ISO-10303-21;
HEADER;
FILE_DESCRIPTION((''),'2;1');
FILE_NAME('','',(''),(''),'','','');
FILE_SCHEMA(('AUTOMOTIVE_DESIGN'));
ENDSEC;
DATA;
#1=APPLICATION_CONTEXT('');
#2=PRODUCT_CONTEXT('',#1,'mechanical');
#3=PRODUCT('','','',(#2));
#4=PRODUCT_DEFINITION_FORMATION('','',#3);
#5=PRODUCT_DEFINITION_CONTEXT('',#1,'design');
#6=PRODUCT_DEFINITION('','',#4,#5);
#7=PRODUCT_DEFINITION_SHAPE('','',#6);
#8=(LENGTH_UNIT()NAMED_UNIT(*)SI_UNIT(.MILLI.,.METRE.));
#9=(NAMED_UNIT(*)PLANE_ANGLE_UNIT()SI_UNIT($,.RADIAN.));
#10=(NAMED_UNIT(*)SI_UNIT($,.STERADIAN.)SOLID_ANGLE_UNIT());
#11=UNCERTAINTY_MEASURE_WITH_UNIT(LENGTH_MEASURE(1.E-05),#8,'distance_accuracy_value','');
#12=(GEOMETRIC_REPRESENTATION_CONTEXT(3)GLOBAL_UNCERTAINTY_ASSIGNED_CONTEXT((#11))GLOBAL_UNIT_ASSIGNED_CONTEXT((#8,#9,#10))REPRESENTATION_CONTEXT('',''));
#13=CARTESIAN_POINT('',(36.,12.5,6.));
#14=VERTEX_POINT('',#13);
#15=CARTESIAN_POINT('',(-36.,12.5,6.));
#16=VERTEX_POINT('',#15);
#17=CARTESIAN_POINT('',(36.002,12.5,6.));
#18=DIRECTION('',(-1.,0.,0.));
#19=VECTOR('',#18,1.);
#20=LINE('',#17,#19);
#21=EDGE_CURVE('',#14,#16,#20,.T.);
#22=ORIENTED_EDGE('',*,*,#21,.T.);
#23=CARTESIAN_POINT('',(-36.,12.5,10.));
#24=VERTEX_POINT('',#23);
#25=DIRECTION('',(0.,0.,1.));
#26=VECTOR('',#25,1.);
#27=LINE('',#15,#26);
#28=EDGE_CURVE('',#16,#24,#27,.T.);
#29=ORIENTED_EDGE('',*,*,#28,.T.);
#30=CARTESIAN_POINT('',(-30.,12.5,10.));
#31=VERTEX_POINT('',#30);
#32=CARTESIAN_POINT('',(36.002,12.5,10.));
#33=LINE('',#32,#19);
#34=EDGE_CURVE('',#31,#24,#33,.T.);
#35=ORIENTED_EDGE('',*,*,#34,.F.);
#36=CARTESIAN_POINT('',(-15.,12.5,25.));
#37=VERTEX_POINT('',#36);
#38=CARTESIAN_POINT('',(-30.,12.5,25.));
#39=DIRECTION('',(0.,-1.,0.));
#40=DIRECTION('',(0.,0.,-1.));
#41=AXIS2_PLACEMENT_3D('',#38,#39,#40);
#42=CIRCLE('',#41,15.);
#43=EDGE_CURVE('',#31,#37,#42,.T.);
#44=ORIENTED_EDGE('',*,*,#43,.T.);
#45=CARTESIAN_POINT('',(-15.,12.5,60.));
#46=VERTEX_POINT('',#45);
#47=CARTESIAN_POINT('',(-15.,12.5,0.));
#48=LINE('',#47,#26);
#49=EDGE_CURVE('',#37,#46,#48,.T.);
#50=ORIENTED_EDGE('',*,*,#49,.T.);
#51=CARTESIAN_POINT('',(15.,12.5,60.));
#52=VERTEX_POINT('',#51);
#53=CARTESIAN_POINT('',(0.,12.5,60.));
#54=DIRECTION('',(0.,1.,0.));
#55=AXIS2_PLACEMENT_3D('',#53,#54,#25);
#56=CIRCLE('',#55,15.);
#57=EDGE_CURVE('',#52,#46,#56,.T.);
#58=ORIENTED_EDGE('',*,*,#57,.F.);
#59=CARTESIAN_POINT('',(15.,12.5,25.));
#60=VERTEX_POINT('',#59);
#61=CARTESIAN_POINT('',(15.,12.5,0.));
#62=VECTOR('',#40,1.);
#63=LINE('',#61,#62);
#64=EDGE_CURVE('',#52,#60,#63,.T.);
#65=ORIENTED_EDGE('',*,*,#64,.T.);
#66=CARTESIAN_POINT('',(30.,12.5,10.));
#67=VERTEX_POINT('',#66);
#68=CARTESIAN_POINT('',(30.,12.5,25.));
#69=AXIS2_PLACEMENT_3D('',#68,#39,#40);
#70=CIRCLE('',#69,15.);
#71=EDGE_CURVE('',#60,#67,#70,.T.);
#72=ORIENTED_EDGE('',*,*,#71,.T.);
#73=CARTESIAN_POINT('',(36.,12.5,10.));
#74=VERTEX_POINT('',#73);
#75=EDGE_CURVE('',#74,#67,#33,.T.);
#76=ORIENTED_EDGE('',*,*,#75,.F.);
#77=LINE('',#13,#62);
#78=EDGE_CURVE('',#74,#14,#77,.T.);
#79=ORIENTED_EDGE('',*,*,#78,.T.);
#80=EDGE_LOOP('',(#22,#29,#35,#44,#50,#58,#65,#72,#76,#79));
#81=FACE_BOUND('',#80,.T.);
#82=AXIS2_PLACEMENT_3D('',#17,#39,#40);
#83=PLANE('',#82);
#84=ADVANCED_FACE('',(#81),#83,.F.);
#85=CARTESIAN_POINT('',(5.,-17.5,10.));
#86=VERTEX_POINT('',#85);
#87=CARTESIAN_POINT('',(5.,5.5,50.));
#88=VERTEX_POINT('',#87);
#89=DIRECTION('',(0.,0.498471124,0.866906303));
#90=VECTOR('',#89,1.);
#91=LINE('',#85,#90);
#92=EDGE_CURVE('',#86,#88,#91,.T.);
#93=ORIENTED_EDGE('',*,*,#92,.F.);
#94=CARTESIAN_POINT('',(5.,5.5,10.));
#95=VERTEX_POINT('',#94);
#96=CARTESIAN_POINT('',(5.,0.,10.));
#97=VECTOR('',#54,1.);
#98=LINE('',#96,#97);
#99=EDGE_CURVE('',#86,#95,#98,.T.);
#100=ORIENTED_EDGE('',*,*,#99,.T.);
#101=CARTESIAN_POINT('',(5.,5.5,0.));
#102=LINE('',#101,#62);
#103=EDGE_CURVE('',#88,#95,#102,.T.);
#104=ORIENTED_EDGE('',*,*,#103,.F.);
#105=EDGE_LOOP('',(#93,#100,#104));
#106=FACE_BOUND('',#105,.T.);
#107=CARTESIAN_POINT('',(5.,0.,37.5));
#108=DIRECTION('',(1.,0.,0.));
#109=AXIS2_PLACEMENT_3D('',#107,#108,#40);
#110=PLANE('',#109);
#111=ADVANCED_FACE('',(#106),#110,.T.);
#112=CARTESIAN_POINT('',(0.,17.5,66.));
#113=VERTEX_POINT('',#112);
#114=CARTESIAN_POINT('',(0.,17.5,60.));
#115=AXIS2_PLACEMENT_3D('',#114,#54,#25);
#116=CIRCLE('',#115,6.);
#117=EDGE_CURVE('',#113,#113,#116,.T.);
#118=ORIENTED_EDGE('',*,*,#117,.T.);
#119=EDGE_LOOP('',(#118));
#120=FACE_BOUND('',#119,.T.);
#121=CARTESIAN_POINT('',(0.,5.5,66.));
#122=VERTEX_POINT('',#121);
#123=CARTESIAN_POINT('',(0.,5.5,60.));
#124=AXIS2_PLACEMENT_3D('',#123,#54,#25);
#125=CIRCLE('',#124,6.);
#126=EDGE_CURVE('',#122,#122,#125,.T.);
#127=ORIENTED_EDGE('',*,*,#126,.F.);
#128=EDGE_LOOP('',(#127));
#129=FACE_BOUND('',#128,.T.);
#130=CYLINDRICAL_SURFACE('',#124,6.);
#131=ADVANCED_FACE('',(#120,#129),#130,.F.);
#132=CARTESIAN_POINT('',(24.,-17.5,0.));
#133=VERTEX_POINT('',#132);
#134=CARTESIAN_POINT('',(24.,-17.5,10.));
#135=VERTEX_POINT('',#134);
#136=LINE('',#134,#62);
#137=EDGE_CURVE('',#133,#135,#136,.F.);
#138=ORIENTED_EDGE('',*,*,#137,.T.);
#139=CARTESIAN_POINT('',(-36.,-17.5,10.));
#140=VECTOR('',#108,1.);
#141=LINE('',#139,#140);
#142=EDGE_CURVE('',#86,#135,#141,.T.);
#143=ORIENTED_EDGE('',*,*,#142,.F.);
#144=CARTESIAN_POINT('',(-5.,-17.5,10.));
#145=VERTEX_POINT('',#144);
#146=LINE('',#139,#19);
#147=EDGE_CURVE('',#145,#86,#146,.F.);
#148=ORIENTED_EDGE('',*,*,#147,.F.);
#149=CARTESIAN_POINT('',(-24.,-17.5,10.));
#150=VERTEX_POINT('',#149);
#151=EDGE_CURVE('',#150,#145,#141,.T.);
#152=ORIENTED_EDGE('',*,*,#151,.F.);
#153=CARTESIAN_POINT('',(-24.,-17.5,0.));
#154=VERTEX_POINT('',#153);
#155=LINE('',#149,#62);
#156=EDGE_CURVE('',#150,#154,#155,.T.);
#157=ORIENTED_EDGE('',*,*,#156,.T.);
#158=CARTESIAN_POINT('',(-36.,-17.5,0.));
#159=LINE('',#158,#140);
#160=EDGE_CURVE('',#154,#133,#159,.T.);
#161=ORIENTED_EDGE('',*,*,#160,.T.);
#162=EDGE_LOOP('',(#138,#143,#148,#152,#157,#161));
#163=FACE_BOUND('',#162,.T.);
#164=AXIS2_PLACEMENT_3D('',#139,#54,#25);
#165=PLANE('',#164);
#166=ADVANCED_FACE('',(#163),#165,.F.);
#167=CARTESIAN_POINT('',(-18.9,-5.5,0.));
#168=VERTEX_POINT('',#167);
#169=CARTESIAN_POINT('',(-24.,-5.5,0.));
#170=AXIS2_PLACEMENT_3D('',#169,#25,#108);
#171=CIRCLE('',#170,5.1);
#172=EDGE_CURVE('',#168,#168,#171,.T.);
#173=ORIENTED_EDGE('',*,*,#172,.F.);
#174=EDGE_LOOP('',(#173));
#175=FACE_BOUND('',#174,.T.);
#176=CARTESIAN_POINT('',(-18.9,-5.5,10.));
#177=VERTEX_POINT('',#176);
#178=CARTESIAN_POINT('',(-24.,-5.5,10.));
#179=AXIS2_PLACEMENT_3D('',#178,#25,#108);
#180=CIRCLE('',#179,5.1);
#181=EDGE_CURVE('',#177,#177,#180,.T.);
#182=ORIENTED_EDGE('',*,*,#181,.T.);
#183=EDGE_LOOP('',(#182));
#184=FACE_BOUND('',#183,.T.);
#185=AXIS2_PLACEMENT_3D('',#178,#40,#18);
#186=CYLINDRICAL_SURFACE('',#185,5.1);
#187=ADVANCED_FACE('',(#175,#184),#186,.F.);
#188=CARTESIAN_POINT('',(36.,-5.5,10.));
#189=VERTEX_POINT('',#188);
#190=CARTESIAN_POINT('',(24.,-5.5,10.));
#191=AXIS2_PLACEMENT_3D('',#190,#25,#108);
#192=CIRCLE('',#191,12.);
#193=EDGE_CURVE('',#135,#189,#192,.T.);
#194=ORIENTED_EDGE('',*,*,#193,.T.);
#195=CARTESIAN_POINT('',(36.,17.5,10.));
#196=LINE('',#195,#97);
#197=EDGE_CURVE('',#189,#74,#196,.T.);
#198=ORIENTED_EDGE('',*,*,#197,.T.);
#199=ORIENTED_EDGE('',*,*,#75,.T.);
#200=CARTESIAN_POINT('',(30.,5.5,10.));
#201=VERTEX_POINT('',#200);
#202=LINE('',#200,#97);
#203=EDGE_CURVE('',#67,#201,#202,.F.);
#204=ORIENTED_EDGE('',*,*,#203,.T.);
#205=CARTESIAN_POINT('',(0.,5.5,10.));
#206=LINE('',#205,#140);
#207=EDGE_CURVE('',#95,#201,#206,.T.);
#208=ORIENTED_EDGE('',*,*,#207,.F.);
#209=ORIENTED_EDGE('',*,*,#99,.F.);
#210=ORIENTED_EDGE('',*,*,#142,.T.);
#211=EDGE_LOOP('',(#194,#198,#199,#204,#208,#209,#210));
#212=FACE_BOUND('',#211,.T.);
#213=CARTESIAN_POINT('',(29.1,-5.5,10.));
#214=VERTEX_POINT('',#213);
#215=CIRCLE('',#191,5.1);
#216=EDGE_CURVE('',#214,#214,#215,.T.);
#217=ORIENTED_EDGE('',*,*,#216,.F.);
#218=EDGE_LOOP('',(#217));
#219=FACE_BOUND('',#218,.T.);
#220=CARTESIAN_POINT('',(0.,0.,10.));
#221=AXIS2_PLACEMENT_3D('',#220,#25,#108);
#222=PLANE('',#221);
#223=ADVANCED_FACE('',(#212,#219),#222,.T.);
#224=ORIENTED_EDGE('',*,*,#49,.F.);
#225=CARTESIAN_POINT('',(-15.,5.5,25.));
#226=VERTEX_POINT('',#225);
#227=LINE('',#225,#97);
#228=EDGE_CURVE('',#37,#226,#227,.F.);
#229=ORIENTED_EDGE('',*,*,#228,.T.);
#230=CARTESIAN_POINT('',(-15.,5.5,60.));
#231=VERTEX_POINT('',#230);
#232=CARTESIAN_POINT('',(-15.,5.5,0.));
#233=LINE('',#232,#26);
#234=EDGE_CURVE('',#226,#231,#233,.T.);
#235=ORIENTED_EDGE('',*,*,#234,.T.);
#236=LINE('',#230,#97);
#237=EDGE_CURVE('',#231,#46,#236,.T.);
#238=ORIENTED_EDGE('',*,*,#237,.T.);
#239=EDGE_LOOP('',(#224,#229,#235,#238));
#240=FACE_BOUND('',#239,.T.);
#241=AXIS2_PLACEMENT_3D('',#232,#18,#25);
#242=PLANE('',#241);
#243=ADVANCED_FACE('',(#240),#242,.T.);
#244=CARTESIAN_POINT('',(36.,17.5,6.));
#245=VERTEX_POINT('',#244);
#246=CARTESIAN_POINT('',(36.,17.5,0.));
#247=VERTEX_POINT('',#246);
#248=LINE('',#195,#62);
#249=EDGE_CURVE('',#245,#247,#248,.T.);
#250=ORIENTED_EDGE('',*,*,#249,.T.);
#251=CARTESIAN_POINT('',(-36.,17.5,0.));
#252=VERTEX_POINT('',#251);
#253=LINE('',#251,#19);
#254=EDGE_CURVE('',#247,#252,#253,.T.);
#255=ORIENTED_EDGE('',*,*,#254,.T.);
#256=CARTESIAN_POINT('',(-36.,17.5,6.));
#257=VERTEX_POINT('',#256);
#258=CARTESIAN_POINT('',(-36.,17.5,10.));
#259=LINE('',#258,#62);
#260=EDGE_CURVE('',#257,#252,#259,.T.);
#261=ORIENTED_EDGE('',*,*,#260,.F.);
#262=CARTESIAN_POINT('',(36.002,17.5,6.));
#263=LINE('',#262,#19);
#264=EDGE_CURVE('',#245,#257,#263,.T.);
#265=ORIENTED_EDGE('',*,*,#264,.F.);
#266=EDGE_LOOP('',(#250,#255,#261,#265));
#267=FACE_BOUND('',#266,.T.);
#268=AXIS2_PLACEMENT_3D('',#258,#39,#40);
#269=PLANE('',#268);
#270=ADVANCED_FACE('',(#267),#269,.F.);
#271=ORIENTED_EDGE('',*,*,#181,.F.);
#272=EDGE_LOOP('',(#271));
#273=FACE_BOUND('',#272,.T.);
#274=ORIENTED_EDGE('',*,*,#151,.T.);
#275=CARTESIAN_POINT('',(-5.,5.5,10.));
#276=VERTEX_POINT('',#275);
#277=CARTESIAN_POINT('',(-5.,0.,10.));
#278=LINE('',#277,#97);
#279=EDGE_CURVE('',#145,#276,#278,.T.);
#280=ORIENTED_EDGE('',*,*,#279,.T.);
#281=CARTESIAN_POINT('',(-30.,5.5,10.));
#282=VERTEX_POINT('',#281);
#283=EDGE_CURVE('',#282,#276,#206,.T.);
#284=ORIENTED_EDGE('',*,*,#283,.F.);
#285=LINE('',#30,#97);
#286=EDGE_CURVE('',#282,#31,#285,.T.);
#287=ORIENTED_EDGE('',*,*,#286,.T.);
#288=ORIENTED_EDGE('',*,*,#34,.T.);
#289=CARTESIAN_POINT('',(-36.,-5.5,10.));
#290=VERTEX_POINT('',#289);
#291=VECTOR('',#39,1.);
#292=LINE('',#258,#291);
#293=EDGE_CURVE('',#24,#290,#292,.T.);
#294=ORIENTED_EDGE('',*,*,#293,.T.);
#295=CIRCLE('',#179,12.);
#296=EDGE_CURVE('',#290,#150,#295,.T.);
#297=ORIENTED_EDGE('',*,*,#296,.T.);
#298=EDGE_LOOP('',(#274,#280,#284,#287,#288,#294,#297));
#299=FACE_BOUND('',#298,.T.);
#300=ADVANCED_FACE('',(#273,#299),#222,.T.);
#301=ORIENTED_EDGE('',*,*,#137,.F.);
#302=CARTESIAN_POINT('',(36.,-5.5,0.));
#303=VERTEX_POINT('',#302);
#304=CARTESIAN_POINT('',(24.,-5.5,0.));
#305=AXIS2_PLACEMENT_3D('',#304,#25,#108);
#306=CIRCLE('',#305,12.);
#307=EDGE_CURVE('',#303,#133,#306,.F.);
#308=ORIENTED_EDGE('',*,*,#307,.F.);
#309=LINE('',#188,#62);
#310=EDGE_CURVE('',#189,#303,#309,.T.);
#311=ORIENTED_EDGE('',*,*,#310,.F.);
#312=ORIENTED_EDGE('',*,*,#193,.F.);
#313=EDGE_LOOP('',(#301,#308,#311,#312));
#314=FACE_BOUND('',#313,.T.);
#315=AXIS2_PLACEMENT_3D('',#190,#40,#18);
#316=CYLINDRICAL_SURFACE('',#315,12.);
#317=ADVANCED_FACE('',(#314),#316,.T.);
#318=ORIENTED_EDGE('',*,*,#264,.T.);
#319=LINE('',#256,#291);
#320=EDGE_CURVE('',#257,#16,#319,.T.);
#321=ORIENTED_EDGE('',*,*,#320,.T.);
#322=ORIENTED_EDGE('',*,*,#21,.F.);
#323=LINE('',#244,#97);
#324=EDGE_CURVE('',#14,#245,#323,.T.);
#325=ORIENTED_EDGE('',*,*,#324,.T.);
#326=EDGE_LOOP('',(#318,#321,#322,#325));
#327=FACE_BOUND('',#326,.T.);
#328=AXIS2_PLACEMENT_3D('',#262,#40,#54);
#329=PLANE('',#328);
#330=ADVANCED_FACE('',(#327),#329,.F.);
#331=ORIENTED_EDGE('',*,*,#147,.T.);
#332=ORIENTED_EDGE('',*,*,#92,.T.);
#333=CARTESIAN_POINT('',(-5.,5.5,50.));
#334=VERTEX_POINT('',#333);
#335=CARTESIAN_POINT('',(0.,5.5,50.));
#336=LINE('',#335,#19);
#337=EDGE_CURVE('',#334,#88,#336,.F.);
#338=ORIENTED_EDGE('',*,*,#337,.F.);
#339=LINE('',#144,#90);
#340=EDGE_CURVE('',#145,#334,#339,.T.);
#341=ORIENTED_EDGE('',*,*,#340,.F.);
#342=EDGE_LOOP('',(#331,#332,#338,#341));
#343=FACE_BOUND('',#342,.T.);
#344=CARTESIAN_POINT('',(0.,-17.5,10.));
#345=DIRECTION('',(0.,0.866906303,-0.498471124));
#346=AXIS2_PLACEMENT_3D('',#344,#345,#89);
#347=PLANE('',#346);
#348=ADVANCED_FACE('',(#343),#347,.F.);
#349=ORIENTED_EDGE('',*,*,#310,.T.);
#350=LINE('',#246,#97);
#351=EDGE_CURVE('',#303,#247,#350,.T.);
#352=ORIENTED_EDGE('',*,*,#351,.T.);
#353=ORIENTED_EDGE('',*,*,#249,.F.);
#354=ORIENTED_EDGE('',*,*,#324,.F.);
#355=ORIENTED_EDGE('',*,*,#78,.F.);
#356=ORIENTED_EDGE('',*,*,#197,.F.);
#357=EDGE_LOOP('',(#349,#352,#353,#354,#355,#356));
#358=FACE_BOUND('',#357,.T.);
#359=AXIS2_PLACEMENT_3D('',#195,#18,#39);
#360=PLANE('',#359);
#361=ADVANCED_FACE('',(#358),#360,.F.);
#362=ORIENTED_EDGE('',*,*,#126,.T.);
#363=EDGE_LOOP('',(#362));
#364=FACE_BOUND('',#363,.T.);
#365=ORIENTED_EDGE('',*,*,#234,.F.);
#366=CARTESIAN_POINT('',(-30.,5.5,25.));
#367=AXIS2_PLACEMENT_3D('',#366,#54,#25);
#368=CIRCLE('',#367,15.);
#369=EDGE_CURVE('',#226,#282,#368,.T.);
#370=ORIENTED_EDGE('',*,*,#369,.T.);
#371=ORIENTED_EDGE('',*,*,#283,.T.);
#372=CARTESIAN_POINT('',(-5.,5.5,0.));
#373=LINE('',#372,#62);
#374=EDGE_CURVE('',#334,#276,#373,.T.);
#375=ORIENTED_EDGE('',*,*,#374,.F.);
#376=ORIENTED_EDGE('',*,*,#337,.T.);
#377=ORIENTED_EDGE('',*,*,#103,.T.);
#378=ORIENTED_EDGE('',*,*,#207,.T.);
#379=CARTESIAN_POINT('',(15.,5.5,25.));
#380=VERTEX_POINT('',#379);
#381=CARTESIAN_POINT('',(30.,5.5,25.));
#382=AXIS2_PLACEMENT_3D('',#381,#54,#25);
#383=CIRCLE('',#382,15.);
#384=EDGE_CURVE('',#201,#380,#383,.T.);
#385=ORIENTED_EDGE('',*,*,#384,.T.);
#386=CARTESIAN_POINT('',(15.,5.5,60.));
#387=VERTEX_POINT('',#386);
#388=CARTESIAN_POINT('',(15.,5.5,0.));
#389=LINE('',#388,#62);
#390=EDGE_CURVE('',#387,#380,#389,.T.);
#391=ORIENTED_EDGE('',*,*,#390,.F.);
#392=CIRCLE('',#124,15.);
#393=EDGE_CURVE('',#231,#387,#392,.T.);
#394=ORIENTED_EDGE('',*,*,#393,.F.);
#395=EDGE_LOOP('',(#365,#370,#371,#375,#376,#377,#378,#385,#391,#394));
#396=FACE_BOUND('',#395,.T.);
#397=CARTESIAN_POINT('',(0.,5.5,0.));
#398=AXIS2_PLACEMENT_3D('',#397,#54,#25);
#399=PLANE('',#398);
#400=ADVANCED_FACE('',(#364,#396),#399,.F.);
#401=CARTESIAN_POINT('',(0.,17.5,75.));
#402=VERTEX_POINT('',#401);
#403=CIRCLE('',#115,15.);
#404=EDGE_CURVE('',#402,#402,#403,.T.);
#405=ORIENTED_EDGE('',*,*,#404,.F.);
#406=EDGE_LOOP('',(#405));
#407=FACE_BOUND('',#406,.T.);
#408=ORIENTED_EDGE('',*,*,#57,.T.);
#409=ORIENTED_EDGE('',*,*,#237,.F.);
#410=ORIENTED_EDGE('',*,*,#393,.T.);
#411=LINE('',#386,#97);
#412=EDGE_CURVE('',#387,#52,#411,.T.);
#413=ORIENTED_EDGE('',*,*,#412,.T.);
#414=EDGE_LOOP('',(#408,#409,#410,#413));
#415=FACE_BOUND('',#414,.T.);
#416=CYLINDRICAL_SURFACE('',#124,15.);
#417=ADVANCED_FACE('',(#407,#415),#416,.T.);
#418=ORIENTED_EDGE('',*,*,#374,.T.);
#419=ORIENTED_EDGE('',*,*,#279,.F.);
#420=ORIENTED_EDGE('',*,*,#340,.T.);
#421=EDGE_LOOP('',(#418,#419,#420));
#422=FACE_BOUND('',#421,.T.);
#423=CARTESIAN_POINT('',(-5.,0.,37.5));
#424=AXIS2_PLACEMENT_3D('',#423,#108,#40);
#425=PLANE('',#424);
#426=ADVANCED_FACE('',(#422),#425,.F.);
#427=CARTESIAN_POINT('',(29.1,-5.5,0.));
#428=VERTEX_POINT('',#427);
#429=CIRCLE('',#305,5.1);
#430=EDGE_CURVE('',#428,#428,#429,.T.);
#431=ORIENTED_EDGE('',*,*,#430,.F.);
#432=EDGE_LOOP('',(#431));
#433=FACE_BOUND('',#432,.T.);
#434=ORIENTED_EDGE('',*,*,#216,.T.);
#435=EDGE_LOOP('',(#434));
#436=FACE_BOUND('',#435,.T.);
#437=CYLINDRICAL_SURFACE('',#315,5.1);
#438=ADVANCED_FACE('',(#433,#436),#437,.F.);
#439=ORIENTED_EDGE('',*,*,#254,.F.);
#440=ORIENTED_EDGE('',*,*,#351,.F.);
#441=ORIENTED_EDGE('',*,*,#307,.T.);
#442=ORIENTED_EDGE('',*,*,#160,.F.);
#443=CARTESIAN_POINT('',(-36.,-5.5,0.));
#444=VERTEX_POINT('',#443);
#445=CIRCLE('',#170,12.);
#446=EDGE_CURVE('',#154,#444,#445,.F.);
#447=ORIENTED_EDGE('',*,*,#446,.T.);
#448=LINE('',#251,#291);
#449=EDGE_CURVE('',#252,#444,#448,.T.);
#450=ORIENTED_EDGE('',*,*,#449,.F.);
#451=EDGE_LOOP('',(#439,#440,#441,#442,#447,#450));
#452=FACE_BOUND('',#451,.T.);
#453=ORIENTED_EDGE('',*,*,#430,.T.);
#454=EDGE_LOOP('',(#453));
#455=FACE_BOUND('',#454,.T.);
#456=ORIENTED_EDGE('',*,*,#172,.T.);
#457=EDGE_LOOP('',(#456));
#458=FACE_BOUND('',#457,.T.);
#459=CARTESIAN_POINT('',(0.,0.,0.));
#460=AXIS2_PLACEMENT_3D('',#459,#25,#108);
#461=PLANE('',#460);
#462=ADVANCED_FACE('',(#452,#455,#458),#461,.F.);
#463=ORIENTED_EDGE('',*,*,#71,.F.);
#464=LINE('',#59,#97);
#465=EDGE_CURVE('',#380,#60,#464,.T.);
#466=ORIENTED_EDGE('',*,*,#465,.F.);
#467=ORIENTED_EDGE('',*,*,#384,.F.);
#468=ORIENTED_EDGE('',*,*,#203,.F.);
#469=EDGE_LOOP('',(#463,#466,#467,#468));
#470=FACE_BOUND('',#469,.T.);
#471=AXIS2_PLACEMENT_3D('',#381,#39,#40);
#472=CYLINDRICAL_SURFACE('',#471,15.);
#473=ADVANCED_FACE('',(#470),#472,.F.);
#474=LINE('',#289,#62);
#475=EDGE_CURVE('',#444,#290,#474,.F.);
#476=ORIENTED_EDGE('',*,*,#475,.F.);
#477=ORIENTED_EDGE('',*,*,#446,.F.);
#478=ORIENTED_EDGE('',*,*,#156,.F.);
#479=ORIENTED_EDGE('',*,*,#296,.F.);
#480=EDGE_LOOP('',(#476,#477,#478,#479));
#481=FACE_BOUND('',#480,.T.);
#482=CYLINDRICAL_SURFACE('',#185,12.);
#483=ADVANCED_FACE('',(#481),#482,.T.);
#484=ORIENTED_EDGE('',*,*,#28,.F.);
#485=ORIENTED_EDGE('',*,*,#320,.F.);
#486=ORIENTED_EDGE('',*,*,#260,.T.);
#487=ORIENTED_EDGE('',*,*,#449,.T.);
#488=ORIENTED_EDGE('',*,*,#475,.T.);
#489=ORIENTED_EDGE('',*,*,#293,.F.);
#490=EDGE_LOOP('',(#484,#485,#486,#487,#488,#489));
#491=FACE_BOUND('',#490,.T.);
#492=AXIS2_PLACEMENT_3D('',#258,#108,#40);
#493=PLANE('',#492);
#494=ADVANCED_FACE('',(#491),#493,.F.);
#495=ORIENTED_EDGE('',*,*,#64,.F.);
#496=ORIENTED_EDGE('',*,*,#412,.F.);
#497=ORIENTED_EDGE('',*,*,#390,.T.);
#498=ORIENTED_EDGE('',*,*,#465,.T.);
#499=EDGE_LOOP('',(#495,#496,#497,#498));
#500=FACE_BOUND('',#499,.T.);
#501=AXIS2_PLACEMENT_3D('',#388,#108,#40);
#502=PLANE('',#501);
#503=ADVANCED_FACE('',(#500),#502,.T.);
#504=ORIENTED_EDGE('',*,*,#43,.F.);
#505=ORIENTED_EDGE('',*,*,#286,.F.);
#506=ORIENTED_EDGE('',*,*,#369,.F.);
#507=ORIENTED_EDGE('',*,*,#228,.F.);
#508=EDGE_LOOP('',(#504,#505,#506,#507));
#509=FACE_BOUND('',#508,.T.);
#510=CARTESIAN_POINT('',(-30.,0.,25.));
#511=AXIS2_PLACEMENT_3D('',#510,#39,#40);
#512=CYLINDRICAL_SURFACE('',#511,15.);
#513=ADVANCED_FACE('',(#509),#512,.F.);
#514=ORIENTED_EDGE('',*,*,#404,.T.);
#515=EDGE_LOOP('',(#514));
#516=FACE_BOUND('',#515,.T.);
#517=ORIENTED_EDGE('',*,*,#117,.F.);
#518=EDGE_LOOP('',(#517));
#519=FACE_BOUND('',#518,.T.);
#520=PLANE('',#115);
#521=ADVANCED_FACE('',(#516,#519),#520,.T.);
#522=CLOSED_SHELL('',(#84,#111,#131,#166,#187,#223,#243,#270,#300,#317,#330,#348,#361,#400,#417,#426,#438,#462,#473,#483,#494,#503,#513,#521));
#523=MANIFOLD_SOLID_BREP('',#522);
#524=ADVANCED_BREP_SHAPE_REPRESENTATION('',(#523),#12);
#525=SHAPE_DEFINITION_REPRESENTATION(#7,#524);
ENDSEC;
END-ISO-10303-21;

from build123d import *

# Parameters (mm, degrees)
CROQUIS1_W              = 72
CROQUIS1_H              = 35
CROQUIS1_R              = 5.1
SALIENTE_EXTRUIR1_DEPTH = 10
REDONDEO1_R             = 12
CORTAR_EXTRUIR1_REACH   = 76.768
CROQUIS2_W              = 4
CROQUIS2_H              = 5
CROQUIS3_R              = 6
SALIENTE_EXTRUIR2_DEPTH = 7
SALIENTE_EXTRUIR4_START = 5
CROQUIS5_R              = 15
CROQUIS5_R_2            = 6
SALIENTE_EXTRUIR4_DEPTH = 5
REDONDEO2_R             = 15
NERVIO31_REACH          = 87.013
CROQUIS8_WALL_W         = 218.167556508
CROQUIS8_WALL_H         = 10


with BuildPart() as part:
    # Croquis1 → Saliente-Extruir1 (new body)
    with BuildSketch(Plane.XY):
        Rectangle(CROQUIS1_W, CROQUIS1_H)
        with Locations((-24, -5.5)):
            Circle(CROQUIS1_R, mode=Mode.SUBTRACT)
        with Locations((24, -5.5)):
            Circle(CROQUIS1_R, mode=Mode.SUBTRACT)
    extrude(amount=SALIENTE_EXTRUIR1_DEPTH)

    # Redondeo1
    redondeo1_edges = [part.edges().sort_by_distance(p)[0] for p in [
        (36, -17.5, 5),
        (-36, -17.5, 5),
    ]]
    fillet(redondeo1_edges, radius=REDONDEO1_R)

    # Croquis2 → Cortar-Extruir1 (cut, up to next)
    with BuildSketch(Plane.ZY.offset(36), mode=Mode.PRIVATE) as cortar_extruir1_sk1:
        with Locations((8, 15)):
            Rectangle(CROQUIS2_W, CROQUIS2_H)
    cortar_extruir1_tool1 = extrude(cortar_extruir1_sk1.sketch, amount=-CORTAR_EXTRUIR1_REACH, mode=Mode.PRIVATE) & part.part
    add(cortar_extruir1_tool1.solids().sort_by_distance((-36, 15, 8))[0], mode=Mode.SUBTRACT)

    # Croquis3 → Saliente-Extruir2 (add)
    with BuildSketch(Plane(origin=(0, 12.5, 0), x_dir=(1, 0, 0), z_dir=(0, 1, 0))):
        with BuildLine():
            Line((15, -60), (15, -10))
            Line((15, -10), (-15, -10))
            Line((-15, -10), (-15, -60))
            ThreePointArc((-15, -60), (0, -75), (15, -60))
        make_face()
        with Locations(Location((0, -60, 0), (0, 0, 270))):
            Circle(CROQUIS3_R, mode=Mode.SUBTRACT)
    extrude(amount=-SALIENTE_EXTRUIR2_DEPTH)

    # Croquis5 → Saliente-Extruir4 (add)
    with BuildSketch(Plane(origin=(0, 12.5, 0), x_dir=(1, 0, 0), z_dir=(0, 1, 0)).offset(SALIENTE_EXTRUIR4_START)):
        with Locations(Location((0, -60, 0), (0, 0, 270))):
            Circle(CROQUIS5_R)
        with Locations(Location((0, -60, 0), (0, 0, 270))):
            Circle(CROQUIS5_R_2, mode=Mode.SUBTRACT)
    extrude(amount=-SALIENTE_EXTRUIR4_DEPTH)

    # Redondeo2
    redondeo2_edges = [part.edges().sort_by_distance(p)[0] for p in [
        (-15, 9, 10),
        (15, 9, 10),
    ]]
    fillet(redondeo2_edges, radius=REDONDEO2_R)

    # Croquis8 wall → Nervio31 (add, up to next)
    with BuildSketch(Plane(origin=(0, -6, 30), x_dir=(0, 0.498471124258, 0.866906303058), z_dir=(0, -0.866906303058, 0.498471124258)), mode=Mode.PRIVATE) as nervio31_sk1:
        Rectangle(CROQUIS8_WALL_W, CROQUIS8_WALL_H)
    nervio31_tool1 = extrude(nervio31_sk1.sketch, amount=-NERVIO31_REACH, mode=Mode.PRIVATE) - part.part
    add(nervio31_tool1.solids().sort_by_distance((0, -6, 30))[0])


solid = part.part
